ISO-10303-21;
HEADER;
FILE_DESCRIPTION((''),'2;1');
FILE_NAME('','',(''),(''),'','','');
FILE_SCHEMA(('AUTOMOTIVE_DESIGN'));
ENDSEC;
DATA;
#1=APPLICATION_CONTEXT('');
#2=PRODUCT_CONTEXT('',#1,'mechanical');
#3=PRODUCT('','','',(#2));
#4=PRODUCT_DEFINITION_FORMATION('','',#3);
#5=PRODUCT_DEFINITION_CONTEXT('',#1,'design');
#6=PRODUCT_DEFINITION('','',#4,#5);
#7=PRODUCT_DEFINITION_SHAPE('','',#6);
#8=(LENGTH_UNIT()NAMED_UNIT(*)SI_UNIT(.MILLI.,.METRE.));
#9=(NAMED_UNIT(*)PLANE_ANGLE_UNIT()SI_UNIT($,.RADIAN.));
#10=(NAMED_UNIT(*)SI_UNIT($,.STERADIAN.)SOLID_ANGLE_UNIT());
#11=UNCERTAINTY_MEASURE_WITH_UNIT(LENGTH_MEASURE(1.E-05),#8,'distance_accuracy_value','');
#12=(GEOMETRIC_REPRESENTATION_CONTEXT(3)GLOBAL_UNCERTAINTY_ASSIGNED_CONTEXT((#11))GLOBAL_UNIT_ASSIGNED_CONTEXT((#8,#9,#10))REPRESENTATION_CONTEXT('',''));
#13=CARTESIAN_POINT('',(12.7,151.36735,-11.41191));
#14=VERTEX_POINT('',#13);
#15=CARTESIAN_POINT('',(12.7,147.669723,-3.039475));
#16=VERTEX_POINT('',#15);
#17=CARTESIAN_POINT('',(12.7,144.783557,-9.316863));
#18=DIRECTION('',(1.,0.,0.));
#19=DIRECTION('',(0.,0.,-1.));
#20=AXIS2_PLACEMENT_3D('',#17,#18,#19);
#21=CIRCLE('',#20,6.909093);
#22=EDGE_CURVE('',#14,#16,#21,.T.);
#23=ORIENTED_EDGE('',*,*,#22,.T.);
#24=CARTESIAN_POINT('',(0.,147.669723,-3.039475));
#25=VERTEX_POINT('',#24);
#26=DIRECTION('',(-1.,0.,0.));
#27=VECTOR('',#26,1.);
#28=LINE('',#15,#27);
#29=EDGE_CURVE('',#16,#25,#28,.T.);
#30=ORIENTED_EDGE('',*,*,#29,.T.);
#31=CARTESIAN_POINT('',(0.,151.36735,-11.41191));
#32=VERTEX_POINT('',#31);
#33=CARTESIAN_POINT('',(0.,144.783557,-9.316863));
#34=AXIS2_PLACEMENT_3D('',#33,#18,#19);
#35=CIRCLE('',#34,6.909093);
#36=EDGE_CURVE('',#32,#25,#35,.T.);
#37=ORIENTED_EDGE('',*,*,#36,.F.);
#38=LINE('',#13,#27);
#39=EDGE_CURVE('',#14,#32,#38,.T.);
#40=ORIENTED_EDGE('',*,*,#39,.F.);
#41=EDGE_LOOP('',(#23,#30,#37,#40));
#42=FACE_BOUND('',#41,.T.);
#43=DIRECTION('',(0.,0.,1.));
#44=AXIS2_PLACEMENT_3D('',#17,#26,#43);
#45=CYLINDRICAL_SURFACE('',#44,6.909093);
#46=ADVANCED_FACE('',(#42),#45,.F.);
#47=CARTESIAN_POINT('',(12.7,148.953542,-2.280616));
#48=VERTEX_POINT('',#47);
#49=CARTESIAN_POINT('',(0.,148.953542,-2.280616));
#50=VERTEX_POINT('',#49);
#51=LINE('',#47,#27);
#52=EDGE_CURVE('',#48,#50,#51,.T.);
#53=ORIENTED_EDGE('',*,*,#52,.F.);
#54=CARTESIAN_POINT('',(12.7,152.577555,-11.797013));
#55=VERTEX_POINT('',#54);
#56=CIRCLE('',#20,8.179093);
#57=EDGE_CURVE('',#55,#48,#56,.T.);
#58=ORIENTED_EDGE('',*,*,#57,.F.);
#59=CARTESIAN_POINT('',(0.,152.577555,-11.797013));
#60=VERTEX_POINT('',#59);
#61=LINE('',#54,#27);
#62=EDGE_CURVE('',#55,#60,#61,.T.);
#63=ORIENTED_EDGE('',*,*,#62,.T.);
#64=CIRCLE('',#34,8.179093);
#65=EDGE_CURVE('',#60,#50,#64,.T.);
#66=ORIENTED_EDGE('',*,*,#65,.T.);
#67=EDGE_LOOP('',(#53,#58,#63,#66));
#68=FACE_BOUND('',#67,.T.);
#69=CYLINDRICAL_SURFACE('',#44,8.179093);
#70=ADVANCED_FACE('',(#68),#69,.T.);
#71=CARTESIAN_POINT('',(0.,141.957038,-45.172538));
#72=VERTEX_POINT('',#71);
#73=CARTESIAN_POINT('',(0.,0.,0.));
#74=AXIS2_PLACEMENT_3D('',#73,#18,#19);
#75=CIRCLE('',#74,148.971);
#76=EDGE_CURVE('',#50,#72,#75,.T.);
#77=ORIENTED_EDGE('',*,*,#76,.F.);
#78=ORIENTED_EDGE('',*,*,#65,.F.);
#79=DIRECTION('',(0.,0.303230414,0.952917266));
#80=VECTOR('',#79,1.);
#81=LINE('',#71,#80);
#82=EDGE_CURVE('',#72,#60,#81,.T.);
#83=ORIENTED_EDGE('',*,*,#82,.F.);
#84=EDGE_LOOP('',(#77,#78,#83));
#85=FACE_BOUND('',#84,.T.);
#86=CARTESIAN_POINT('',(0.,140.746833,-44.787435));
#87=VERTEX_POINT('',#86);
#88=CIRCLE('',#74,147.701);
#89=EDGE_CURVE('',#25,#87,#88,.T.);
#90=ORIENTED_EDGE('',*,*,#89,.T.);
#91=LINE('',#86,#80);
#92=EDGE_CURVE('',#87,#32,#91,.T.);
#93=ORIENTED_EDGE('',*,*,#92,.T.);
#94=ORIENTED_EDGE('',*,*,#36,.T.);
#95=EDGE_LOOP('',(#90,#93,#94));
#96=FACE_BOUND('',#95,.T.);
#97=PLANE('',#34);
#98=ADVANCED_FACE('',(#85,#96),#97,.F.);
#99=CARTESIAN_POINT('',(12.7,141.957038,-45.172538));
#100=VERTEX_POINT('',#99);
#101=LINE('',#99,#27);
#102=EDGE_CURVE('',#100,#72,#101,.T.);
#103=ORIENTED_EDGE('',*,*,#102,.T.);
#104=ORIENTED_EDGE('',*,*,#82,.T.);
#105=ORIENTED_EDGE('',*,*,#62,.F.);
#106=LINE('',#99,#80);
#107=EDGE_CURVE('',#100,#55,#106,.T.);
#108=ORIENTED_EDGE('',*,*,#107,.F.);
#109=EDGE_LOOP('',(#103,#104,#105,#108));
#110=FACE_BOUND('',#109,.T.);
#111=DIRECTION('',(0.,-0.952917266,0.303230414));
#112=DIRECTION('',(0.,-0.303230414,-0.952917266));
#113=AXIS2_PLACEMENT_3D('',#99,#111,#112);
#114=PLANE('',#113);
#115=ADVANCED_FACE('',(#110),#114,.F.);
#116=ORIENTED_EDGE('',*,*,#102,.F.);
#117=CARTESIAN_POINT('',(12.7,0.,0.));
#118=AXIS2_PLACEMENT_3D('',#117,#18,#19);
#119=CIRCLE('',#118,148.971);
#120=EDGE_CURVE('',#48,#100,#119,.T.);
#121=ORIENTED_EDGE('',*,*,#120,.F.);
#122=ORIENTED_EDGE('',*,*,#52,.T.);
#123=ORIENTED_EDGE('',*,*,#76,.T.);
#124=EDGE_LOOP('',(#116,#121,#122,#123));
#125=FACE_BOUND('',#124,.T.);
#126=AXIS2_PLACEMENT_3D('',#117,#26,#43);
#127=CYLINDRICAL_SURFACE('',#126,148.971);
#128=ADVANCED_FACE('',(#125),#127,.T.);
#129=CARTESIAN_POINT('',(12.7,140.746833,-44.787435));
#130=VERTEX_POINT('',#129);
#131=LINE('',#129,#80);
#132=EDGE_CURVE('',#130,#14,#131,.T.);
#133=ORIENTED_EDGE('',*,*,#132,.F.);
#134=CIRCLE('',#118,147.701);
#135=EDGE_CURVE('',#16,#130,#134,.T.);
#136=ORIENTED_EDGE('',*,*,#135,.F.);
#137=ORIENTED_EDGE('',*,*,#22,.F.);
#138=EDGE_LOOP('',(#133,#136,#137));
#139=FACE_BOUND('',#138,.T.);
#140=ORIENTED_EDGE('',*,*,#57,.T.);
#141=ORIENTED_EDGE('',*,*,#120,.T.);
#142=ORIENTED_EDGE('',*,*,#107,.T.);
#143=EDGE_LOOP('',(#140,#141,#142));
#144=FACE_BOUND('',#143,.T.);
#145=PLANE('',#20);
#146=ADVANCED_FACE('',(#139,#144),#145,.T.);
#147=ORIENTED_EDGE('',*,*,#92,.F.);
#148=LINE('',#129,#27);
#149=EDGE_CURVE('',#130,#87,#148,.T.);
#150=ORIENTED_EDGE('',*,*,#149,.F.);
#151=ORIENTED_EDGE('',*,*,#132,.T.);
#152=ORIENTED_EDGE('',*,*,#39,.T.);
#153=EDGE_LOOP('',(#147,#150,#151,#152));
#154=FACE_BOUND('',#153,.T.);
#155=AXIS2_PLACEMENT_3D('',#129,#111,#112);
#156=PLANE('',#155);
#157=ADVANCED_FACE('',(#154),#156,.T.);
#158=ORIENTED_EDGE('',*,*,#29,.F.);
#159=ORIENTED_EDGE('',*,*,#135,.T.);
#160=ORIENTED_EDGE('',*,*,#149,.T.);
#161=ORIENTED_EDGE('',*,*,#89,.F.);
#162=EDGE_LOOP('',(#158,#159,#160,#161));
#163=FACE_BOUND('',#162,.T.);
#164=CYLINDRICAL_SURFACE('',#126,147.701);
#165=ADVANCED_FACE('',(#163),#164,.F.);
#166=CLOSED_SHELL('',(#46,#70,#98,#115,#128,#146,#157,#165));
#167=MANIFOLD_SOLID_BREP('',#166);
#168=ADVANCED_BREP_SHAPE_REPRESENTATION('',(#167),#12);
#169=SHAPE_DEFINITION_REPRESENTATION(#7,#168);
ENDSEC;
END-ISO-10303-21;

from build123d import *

# Parameters (mm, degrees)
BOSS_EXTRUDE1_DEPTH = 12.7


with BuildPart() as part:
    # Sketch1 → Boss-Extrude1 (new body)
    with BuildSketch(Plane(origin=(0, 0, 0), x_dir=(0, 0, -1), z_dir=(1, 0, 0))):
        with BuildLine():
            Line((45.172537999, 141.957038049), (11.797012955, 152.577555313))
            ThreePointArc((11.797012955, 152.577555313), (6.406042935, 152.427160627), (2.28061581, 148.95354186))
            ThreePointArc((2.28061581, 148.95354186), (-23.983081912, -147.027788608), (45.172537999, 141.957038049))
        make_face()
        with BuildLine():
            Line((44.787435373, 140.746833121), (11.411910329, 151.367350385))
            ThreePointArc((11.411910329, 151.367350385), (6.525607749, 151.103719143), (3.039474855, 147.669722671))
            ThreePointArc((3.039474855, 147.669722671), (-24.162676495, -145.711188539), (44.787435373, 140.746833121))
        make_face(mode=Mode.SUBTRACT)
    extrude(amount=BOSS_EXTRUDE1_DEPTH)


solid = part.part
